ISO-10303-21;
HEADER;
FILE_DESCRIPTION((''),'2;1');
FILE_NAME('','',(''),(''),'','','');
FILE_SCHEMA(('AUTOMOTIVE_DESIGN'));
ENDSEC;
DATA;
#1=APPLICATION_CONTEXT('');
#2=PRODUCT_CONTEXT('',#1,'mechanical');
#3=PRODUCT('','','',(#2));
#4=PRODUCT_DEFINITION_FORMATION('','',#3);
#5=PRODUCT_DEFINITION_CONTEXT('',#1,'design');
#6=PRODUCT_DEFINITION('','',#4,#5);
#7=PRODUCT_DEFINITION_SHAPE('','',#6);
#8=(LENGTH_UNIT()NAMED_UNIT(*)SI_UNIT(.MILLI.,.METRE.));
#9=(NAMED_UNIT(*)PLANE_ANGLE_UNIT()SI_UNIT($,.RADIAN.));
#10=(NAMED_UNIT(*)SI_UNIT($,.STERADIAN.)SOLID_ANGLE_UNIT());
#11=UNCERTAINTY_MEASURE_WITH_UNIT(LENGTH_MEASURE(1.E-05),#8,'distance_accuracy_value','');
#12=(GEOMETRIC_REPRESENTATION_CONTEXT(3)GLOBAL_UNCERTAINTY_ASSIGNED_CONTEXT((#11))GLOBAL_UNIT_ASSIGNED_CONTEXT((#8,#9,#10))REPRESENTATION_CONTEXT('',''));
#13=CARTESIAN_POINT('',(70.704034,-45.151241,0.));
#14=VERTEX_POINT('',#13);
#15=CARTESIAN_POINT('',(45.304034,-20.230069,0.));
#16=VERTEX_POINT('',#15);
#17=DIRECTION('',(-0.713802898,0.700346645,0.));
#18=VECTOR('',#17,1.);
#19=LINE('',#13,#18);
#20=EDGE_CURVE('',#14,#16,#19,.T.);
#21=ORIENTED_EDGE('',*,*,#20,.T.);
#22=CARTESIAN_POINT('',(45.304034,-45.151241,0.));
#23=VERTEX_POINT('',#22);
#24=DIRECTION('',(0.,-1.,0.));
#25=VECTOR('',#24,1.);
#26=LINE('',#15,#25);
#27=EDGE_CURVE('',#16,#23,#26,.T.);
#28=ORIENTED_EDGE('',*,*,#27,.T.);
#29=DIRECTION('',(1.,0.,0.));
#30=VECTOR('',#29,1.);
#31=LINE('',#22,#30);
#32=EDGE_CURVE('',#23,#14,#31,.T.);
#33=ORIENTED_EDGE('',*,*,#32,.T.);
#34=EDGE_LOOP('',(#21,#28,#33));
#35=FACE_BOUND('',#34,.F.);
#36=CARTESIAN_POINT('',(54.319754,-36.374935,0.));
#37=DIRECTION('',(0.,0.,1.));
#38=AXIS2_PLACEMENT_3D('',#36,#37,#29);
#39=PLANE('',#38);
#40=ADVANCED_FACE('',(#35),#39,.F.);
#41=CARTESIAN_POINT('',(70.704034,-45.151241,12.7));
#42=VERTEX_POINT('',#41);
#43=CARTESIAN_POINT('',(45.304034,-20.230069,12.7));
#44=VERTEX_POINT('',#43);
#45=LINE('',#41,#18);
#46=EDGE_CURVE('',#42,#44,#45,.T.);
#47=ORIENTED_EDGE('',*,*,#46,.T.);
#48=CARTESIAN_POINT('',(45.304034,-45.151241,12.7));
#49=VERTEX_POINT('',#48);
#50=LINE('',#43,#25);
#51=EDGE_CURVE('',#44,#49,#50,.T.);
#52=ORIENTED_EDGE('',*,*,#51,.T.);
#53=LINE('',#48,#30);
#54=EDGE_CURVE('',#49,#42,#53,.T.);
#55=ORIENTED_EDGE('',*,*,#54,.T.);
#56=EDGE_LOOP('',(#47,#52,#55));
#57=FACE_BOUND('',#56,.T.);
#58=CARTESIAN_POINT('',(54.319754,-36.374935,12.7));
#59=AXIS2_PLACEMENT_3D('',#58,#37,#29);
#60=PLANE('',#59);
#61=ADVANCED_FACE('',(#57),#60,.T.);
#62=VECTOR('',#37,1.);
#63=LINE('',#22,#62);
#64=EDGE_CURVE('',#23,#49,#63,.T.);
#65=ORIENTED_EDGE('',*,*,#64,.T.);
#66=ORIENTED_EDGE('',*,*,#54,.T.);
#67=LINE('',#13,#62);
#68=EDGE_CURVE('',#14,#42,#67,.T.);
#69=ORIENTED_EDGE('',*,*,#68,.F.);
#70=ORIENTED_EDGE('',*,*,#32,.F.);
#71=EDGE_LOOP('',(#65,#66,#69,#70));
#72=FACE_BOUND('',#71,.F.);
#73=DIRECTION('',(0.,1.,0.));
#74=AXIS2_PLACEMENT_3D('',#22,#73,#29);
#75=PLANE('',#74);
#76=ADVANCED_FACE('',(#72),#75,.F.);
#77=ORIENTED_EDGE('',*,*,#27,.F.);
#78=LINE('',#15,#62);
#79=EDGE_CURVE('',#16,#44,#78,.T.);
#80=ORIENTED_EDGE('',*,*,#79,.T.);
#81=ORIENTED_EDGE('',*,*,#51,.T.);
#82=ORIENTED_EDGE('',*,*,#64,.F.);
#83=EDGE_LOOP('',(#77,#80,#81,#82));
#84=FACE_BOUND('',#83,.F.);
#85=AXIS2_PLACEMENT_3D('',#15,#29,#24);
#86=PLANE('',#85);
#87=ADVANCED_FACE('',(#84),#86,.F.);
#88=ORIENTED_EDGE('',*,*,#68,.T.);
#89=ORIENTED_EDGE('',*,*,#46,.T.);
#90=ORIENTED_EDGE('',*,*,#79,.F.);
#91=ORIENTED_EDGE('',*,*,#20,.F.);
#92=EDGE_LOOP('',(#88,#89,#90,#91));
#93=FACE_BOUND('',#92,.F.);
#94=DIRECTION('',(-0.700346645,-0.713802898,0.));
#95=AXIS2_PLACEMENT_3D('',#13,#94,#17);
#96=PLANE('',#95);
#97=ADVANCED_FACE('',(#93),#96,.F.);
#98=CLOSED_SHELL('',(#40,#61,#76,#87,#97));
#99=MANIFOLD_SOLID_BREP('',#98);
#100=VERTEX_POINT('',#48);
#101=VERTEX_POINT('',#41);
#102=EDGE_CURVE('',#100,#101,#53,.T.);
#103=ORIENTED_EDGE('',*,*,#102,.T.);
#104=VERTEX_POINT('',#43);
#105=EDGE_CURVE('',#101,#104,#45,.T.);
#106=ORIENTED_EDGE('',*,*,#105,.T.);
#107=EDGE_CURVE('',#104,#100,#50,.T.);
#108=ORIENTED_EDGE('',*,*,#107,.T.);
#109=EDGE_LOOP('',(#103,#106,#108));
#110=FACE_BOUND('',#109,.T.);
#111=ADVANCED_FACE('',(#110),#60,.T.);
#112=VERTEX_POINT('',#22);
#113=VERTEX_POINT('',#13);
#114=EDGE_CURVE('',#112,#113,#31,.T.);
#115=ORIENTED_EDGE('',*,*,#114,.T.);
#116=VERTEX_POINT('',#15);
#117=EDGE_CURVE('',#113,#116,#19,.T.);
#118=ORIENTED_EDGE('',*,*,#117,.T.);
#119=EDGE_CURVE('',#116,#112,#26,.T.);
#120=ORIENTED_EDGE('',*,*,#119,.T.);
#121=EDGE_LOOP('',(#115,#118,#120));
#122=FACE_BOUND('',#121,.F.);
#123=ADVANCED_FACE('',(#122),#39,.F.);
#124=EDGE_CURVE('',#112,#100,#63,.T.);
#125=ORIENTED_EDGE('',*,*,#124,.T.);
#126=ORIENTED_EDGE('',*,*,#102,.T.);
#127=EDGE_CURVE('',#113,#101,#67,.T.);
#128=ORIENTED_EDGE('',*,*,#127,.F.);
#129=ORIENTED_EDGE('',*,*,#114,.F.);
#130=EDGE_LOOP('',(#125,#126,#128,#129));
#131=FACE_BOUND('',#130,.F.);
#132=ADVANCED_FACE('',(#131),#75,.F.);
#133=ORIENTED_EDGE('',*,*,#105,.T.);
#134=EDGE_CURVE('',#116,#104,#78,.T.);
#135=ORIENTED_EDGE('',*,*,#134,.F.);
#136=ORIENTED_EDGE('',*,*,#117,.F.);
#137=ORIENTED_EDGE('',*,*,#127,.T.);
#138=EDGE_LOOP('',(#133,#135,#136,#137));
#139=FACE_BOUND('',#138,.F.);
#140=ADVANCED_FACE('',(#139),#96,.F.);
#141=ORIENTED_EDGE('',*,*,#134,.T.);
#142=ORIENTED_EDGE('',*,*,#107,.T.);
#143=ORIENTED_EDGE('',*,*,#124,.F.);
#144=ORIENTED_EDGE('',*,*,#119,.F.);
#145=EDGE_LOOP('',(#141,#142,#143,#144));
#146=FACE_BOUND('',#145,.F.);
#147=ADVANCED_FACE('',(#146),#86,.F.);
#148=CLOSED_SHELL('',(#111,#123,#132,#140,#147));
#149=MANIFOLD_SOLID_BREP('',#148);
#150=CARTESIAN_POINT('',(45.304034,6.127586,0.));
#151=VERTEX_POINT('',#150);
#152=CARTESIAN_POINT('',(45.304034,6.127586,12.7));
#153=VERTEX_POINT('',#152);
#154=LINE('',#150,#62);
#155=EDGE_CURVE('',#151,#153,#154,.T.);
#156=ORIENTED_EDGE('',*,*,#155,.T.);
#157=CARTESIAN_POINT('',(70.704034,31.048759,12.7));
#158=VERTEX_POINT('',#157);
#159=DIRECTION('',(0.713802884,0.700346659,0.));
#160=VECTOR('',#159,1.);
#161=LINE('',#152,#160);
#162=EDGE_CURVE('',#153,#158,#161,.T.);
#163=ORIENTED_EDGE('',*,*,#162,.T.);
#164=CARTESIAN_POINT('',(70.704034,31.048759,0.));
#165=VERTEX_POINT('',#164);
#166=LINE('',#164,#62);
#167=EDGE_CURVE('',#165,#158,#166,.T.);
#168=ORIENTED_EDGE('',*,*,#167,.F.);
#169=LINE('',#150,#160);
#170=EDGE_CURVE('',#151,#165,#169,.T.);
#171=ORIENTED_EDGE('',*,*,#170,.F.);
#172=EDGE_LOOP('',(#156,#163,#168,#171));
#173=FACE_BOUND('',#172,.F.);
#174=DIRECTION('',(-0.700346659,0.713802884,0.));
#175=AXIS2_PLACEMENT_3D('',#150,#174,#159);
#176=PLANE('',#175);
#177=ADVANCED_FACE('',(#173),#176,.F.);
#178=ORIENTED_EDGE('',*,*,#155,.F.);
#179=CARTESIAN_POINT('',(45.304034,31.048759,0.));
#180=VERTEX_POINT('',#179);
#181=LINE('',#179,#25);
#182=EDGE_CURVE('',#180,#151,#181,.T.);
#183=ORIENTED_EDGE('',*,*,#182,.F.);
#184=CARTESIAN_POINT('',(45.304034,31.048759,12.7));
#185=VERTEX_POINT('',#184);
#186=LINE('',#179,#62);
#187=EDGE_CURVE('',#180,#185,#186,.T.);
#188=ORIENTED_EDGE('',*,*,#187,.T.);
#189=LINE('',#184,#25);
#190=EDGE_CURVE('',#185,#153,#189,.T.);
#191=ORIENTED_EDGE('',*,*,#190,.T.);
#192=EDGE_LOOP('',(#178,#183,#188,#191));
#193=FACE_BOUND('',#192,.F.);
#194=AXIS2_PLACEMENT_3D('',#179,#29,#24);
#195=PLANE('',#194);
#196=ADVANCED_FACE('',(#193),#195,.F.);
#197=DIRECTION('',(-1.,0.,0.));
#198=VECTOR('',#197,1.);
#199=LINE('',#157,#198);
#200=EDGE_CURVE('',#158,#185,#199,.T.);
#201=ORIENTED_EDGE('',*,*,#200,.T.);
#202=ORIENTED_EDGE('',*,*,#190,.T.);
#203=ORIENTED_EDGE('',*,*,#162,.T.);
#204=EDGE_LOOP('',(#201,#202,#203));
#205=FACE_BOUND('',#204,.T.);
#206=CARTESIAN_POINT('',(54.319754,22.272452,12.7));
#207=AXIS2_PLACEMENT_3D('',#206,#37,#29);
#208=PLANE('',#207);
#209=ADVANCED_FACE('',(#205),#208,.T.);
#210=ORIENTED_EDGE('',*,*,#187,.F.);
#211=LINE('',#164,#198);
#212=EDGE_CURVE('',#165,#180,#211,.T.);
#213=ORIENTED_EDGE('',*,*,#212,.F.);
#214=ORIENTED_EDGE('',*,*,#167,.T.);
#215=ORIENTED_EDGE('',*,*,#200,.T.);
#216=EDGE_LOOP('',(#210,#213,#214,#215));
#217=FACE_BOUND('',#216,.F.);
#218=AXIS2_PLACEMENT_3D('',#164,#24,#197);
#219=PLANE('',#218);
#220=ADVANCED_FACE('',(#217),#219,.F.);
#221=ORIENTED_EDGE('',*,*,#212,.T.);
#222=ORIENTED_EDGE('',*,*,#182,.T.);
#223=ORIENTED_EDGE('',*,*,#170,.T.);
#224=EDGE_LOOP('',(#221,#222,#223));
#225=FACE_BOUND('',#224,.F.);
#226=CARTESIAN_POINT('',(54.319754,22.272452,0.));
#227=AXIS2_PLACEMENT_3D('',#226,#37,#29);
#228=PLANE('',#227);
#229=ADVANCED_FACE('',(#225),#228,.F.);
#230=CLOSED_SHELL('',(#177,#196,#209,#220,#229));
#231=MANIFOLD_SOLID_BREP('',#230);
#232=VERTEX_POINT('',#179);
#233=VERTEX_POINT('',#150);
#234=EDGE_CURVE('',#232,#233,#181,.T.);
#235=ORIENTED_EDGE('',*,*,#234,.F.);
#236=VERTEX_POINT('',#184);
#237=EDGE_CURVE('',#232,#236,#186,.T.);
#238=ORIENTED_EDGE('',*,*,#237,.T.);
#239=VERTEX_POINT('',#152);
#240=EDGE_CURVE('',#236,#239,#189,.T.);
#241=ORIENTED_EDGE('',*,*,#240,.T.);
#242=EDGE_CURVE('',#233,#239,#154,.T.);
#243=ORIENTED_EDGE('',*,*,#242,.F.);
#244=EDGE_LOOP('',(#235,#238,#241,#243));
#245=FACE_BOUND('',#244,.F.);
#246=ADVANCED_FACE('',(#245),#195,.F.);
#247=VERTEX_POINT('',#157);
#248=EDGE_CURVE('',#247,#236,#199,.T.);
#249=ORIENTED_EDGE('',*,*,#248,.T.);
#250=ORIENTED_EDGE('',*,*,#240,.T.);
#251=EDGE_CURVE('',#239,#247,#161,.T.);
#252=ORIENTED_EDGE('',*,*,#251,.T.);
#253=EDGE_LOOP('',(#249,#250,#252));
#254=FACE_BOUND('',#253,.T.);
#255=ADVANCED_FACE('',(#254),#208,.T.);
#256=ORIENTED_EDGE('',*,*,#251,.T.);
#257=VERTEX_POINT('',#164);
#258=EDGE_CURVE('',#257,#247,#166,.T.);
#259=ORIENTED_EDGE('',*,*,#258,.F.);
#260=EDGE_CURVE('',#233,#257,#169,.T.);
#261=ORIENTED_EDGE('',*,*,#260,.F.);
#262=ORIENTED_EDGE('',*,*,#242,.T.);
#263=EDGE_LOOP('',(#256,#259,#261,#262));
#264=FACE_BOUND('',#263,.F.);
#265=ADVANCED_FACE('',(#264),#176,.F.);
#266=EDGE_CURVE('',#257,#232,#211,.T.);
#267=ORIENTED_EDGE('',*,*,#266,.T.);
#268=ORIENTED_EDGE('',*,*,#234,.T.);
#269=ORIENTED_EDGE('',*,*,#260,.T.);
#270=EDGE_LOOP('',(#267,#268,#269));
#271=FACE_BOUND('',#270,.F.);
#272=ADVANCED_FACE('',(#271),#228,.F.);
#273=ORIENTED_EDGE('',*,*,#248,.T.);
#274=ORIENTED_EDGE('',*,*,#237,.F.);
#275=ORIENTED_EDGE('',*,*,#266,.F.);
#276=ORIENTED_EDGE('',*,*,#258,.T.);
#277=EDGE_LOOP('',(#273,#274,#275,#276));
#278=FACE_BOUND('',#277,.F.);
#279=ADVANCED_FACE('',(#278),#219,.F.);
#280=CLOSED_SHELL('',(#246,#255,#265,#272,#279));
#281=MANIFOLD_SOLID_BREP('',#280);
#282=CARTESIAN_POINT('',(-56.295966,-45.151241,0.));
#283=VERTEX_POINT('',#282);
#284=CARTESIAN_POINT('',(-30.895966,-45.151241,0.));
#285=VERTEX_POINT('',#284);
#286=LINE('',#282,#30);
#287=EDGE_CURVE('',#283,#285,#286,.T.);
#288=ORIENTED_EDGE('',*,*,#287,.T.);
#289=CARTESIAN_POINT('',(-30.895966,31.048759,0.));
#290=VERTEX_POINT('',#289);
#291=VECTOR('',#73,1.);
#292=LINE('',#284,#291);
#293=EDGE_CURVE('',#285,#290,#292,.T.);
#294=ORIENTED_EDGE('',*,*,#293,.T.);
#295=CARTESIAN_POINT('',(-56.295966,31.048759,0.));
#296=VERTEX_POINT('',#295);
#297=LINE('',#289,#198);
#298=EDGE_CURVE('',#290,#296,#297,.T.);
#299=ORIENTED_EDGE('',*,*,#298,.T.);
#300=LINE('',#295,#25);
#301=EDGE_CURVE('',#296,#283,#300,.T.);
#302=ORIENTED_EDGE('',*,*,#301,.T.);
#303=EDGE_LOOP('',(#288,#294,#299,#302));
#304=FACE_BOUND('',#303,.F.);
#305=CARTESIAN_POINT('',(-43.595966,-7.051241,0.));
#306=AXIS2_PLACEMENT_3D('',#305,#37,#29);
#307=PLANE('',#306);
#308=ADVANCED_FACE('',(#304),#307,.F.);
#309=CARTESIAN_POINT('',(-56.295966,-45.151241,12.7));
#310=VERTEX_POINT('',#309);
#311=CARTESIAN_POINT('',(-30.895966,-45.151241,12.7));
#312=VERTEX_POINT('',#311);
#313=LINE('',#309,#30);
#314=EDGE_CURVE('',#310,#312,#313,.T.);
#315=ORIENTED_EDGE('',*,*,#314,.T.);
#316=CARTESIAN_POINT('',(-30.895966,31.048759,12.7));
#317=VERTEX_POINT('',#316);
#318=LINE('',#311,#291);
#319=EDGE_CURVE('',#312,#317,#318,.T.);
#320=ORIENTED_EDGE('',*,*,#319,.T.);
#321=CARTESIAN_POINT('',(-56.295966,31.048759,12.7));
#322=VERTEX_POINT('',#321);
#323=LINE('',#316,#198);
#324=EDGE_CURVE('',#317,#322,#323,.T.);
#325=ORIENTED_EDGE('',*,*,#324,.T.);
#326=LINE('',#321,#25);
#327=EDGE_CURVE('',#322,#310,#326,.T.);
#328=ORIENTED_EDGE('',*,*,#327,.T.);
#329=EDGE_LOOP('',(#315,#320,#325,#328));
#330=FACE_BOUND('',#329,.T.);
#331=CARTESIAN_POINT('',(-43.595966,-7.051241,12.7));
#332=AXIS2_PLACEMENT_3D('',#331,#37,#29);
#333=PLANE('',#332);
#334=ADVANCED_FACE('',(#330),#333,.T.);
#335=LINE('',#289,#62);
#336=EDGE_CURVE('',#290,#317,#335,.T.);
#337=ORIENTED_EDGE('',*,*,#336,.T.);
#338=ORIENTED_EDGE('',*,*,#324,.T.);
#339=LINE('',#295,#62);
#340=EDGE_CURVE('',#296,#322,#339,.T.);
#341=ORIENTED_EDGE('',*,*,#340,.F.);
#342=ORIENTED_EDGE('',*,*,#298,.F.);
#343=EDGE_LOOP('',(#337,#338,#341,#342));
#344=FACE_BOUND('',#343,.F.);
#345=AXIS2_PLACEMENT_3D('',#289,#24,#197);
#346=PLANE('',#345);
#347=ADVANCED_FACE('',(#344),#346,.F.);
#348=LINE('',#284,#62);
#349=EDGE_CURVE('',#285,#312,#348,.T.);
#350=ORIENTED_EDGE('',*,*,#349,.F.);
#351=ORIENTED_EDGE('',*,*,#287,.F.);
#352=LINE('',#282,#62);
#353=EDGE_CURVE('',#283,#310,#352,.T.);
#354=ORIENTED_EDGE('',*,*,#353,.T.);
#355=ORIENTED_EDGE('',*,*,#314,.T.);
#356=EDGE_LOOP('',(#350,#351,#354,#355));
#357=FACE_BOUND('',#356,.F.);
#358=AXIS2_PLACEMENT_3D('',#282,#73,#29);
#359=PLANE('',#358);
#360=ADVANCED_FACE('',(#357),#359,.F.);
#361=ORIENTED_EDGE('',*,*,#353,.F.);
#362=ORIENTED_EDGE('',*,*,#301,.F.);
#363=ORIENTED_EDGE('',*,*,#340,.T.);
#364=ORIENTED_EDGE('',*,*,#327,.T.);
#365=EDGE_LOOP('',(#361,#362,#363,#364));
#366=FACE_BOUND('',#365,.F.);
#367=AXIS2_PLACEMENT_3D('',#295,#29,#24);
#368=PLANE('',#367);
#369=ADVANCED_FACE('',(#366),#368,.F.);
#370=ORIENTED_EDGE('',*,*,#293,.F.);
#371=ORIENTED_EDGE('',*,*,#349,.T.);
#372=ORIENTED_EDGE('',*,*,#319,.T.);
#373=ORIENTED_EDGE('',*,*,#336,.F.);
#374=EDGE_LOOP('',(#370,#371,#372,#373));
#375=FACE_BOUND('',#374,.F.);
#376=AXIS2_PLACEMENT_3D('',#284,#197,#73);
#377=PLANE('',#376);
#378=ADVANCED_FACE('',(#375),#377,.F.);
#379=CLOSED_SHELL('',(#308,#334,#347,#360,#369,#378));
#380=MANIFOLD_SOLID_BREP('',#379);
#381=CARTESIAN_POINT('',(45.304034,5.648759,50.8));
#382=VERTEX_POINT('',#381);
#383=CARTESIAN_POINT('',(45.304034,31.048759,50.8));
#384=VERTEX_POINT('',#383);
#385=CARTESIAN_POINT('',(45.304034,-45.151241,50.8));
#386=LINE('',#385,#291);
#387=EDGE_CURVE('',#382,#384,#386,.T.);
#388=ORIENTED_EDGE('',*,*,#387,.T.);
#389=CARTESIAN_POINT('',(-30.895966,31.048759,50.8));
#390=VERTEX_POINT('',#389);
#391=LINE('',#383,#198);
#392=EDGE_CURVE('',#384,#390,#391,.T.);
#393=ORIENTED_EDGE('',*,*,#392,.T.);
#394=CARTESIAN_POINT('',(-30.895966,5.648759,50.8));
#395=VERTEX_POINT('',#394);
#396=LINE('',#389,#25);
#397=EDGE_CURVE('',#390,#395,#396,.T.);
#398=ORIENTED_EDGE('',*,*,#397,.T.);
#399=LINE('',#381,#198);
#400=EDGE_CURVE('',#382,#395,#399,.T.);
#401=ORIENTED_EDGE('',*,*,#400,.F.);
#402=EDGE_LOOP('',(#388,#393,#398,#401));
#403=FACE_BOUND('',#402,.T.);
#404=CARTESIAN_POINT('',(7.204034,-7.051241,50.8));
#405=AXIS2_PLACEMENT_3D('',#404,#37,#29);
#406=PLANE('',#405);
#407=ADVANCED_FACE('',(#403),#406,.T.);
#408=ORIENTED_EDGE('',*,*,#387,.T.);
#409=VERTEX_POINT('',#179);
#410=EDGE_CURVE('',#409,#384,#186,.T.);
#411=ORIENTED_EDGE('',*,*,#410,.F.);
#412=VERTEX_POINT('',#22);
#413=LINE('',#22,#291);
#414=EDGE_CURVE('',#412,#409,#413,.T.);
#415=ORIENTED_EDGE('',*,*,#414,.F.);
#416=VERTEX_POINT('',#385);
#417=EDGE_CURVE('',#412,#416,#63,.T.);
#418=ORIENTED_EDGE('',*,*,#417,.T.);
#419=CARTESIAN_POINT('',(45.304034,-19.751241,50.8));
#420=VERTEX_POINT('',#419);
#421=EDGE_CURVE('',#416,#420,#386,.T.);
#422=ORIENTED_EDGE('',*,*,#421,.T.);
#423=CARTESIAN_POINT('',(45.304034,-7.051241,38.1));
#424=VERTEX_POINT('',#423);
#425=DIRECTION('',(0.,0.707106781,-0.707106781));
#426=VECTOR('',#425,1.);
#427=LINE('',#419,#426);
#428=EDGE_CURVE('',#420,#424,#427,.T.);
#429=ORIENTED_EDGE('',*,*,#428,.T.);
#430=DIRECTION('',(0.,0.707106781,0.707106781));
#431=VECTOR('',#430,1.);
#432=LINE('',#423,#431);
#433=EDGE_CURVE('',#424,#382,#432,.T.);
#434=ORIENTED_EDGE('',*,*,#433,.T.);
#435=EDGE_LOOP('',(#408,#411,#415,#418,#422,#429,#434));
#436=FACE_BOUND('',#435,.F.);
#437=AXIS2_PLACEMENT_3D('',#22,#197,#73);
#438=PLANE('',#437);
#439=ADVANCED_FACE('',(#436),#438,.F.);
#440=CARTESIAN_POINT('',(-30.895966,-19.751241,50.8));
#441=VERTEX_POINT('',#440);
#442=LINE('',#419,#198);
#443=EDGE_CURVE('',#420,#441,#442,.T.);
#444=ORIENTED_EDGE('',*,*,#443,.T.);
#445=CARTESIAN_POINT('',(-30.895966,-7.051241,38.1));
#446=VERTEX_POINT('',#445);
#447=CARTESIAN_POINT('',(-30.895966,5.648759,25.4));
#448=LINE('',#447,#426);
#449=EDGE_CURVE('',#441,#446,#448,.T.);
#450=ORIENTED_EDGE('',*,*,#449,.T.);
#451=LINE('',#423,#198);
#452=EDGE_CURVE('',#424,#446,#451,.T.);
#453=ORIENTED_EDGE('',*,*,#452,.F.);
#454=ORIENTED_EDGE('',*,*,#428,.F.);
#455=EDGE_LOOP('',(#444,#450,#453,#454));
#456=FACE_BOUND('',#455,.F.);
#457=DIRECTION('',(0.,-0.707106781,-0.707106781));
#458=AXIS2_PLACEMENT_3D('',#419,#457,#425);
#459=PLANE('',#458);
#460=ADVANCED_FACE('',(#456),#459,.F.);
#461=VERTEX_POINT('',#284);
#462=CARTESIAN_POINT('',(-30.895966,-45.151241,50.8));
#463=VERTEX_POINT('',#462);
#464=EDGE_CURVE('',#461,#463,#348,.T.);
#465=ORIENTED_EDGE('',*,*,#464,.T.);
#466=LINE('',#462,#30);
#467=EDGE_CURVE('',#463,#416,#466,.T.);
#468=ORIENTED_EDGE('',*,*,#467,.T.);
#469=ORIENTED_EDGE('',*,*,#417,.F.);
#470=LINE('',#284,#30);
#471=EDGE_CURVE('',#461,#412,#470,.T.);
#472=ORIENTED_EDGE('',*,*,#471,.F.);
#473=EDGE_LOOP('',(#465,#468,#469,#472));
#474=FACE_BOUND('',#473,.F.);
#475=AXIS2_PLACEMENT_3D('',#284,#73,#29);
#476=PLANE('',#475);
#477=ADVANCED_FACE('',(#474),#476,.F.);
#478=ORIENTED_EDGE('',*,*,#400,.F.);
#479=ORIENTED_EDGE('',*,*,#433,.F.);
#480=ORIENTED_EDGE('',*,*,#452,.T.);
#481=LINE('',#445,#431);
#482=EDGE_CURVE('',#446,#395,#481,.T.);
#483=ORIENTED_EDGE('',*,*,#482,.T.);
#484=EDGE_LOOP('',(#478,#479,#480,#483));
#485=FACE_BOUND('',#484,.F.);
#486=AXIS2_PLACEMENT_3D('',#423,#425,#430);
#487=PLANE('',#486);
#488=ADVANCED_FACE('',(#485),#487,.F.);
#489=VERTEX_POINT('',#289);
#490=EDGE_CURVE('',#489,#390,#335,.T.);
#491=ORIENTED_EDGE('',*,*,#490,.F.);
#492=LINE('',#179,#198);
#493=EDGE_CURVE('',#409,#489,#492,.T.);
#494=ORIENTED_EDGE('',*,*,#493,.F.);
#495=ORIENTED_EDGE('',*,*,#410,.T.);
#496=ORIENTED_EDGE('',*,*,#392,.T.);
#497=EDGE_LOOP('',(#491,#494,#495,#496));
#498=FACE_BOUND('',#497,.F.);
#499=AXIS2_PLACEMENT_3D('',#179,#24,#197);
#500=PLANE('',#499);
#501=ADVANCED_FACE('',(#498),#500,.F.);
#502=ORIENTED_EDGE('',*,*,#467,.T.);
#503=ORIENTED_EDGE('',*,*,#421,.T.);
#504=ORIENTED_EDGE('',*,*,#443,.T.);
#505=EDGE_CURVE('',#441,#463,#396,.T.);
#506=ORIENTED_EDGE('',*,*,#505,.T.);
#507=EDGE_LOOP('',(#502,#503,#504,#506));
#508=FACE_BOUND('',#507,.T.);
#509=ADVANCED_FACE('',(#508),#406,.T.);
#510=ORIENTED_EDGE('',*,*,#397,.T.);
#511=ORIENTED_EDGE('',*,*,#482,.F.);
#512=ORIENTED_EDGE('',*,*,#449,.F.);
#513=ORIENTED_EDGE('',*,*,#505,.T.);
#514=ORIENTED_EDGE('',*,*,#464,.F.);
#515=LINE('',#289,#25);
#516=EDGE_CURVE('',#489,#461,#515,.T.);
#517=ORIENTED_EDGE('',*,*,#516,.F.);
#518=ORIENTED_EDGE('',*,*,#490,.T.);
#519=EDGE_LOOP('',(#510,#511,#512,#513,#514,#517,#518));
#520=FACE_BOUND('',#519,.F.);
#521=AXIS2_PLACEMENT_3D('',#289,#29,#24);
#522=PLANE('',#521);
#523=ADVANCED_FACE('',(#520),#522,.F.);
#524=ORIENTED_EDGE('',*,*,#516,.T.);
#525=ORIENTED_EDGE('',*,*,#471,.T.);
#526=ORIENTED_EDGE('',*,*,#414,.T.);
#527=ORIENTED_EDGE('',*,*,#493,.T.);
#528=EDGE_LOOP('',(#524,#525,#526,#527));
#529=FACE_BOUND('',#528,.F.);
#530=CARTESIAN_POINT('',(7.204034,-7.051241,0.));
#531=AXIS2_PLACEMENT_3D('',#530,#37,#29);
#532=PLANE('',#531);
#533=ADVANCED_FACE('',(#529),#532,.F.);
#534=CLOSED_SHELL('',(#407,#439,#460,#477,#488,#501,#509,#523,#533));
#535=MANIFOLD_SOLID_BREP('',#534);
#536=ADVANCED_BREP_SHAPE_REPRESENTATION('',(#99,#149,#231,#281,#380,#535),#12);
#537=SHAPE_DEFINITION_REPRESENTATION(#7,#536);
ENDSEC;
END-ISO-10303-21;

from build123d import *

# Parameters (mm, degrees)
F1_DEPTH = 12.7
F2_DEPTH = 12.7
F3_DEPTH = 50.8
F5_DEPTH = 101.601


with BuildPart() as f1:
    # F0 (on Top) → F1 (new body)
    with BuildSketch(Plane.XY):
        Polygon((70.704034, -45.151241), (45.304034, -20.230069), (45.304034, -45.151241), align=None)
        Polygon((70.704034, 31.048759), (45.304034, 31.048759), (45.304034, 6.127586), align=None)
    extrude(amount=F1_DEPTH)


with BuildPart() as f2:
    # F0 (on Top) → F2 (new body)
    with BuildSketch(Plane.XY):
        Polygon((70.704034, -45.151241), (45.304034, -20.230069), (45.304034, -45.151241), align=None)
        Polygon((70.704034, 31.048759), (45.304034, 31.048759), (45.304034, 6.127586), align=None)
        Polygon((-30.895966, 6.127586), (-30.895966, 31.048759), (-56.295966, 31.048759), (-56.295966, -45.151241), (-30.895966, -45.151241), (-30.895966, -20.230069), align=None)
    extrude(amount=F2_DEPTH)


with BuildPart() as f3:
    # F0 (on Top) → F3 (new body)
    with BuildSketch(Plane.XY):
        Polygon((45.304034, 31.048759), (-30.895966, 31.048759), (-30.895966, 6.127586), (-30.895966, -20.230069), (-30.895966, -45.151241), (45.304034, -45.151241), (45.304034, -20.230069), (45.304034, 6.127586), align=None)
    extrude(amount=F3_DEPTH)

    # F4 (on face) → F5 (cut, through all)
    with BuildSketch(Plane.YZ.offset(45.304034)):
        Polygon((5.648759, 50.8), (-19.751241, 50.8), (-7.051241, 38.1), align=None)
    extrude(amount=-F5_DEPTH, mode=Mode.SUBTRACT)


solid = Compound([f1.part, f2.part, f3.part])
